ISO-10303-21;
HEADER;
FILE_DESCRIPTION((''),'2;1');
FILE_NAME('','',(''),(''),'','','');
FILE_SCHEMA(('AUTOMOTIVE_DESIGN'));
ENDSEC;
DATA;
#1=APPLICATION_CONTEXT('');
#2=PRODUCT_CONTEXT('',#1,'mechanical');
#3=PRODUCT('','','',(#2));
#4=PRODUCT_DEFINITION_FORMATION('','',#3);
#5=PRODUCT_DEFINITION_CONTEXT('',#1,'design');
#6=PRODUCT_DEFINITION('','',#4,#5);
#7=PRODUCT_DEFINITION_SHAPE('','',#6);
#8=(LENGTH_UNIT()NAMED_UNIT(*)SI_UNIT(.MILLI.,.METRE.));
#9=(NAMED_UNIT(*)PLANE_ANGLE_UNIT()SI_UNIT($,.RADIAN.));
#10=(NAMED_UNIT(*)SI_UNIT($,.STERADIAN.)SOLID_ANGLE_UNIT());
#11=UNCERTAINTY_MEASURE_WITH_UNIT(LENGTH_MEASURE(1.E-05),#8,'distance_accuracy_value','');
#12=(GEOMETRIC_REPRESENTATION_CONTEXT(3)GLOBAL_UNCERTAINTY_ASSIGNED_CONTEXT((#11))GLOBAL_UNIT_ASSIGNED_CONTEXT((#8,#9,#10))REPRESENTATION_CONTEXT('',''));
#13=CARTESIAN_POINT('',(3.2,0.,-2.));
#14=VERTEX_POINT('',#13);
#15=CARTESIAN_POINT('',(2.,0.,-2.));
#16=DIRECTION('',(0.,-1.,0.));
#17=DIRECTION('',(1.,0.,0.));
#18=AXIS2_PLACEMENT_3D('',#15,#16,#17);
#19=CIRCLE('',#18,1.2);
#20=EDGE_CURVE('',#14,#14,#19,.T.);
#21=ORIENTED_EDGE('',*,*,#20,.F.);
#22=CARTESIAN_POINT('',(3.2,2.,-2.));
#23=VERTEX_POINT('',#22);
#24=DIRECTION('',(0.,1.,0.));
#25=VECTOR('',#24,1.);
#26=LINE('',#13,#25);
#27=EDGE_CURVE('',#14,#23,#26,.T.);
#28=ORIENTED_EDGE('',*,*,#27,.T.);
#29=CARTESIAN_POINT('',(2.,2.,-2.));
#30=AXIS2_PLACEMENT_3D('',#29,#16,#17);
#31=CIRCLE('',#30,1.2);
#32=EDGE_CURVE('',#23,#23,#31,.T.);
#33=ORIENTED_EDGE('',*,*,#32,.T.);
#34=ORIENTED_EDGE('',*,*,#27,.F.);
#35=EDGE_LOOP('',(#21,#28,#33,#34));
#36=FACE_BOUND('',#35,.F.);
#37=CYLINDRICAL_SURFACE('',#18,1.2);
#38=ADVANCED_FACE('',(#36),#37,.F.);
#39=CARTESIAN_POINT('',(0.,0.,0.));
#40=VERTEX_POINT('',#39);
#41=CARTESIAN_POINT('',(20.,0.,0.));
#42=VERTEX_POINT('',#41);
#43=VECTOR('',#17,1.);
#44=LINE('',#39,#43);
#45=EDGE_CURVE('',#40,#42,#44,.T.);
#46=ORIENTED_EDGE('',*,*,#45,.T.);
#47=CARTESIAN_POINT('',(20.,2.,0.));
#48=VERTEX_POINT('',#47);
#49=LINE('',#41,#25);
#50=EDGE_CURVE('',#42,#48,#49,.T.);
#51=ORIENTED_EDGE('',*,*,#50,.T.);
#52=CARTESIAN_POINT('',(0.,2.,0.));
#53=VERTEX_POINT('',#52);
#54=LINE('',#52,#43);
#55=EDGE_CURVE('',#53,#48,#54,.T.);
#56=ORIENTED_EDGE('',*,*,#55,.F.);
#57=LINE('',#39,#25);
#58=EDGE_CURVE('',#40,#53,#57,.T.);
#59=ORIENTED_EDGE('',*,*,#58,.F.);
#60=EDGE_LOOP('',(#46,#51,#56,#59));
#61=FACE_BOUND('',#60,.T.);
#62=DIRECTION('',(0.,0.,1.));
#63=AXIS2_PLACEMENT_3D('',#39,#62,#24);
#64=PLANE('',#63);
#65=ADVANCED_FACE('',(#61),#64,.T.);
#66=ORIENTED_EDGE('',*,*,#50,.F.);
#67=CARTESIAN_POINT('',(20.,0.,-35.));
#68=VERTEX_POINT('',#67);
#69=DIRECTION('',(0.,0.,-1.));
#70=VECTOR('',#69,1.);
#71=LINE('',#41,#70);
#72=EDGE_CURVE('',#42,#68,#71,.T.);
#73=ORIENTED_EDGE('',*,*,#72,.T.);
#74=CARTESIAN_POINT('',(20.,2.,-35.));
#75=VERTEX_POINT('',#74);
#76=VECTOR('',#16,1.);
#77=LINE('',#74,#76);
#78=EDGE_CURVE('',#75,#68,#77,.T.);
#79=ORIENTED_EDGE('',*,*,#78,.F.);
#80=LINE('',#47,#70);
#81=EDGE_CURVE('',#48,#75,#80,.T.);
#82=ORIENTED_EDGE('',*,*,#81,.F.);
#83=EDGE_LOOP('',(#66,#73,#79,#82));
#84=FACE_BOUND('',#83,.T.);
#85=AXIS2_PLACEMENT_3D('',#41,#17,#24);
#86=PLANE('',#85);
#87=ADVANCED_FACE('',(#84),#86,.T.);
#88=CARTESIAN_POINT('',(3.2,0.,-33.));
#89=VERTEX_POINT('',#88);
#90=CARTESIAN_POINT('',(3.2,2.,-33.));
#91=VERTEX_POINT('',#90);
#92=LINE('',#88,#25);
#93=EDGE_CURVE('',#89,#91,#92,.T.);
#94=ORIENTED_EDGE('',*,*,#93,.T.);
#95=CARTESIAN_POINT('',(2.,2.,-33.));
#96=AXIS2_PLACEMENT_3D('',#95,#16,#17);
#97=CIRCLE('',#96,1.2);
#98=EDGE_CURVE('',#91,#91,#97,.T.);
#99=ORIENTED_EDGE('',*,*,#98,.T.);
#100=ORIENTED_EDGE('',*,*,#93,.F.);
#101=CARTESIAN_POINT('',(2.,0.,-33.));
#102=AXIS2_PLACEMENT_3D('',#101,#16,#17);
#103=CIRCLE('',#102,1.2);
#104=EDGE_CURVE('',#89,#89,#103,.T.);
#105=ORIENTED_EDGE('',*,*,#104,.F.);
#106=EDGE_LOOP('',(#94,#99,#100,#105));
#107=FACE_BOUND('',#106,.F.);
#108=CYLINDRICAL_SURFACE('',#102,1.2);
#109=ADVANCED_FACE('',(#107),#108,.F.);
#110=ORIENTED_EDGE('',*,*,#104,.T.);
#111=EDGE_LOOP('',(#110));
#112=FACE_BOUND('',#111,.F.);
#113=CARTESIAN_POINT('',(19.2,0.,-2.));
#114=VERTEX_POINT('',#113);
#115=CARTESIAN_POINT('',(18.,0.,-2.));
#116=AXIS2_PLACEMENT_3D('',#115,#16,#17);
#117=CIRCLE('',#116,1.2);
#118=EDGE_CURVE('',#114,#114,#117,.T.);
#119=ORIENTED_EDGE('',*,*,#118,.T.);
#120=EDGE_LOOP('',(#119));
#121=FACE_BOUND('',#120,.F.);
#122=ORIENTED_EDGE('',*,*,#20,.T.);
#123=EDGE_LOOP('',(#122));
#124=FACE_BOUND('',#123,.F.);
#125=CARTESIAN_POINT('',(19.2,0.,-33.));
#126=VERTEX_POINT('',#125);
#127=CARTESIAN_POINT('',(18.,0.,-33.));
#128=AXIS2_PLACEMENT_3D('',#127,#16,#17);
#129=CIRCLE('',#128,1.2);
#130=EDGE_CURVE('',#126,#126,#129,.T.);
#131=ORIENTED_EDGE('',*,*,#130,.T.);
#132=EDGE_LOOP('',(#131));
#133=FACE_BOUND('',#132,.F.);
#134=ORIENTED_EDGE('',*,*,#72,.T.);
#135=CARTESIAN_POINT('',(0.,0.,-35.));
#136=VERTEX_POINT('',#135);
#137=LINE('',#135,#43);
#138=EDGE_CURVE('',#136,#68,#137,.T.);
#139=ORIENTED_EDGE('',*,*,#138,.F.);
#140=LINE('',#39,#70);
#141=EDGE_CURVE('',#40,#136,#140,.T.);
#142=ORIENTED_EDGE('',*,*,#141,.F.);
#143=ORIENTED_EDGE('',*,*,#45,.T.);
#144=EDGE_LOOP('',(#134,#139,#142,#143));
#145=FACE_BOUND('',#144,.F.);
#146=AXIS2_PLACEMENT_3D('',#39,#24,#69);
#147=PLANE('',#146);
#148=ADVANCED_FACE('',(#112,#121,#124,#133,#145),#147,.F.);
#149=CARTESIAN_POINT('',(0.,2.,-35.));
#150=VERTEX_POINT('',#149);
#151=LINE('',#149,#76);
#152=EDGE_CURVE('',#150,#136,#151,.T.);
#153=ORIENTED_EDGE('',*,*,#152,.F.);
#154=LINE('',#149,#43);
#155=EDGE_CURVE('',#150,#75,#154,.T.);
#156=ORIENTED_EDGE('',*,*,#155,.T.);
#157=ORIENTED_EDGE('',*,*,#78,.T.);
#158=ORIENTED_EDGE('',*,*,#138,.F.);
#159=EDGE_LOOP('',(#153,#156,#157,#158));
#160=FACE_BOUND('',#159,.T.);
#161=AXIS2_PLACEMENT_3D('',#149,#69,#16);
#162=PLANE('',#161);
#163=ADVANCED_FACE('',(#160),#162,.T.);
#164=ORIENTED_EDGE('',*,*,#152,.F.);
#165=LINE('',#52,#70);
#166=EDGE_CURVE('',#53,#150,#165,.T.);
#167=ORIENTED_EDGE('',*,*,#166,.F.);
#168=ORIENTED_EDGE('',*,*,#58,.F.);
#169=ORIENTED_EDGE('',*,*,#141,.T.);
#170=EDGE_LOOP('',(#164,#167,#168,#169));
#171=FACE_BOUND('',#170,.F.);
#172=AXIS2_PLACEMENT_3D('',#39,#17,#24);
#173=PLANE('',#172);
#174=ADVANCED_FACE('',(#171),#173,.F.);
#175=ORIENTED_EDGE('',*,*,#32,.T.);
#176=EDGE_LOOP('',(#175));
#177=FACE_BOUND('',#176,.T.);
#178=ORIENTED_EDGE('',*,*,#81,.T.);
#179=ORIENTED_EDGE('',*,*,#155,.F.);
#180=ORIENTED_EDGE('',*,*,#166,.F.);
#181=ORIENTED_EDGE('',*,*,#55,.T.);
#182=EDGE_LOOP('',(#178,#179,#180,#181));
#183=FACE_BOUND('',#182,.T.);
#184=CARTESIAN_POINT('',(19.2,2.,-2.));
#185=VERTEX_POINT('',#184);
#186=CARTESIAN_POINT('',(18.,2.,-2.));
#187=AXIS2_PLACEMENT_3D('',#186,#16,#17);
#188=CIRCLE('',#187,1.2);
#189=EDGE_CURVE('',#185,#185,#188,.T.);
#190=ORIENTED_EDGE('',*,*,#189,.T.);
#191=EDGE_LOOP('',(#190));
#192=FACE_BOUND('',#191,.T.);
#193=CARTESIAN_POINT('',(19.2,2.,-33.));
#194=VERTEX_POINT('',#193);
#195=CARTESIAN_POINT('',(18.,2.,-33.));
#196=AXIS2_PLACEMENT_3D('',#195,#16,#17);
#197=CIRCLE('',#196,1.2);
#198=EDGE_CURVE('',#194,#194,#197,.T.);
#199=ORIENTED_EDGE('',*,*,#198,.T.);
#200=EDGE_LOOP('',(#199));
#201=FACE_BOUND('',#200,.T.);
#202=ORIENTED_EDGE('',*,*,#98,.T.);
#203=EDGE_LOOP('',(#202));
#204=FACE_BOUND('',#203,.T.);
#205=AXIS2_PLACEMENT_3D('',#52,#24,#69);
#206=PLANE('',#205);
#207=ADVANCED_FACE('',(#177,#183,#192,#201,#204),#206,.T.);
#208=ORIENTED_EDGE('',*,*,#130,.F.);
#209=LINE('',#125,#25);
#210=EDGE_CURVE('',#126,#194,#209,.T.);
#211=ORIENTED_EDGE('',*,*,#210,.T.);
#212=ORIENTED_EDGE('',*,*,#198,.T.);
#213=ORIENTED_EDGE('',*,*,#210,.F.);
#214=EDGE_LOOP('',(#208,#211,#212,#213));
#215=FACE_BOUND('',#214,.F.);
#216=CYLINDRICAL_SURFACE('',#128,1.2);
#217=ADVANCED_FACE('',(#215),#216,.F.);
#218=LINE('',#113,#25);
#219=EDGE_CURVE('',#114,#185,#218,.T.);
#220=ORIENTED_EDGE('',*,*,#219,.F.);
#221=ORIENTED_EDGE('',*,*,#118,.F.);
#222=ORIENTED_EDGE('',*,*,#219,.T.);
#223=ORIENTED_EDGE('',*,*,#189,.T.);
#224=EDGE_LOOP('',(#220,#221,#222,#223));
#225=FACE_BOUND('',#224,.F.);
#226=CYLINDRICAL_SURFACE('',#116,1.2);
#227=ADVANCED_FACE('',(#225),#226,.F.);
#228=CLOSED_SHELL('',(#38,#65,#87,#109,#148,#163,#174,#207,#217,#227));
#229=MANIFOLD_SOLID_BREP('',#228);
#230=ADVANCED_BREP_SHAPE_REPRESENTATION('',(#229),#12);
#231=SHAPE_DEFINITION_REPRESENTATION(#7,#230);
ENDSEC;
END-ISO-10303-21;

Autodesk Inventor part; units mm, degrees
ref_plane "YZ Plane" through (0, 0, 0) normal (1, 0, 0) x (0, 1, 0)
ref_plane "XZ Plane" through (0, 0, 0) normal (0, 1, 0) x (-1, 0, 0)
ref_plane "XY Plane" through (0, 0, 0) normal (0, 0, 1) x (1, 0, 0)
sketch "Sketch1" plane through (0, 0, 0) normal (1, 0, 0) x (0, 1, 0)
  line L0 (0, 0) -> (2, 0)
  line L1 (0, 0) -> (0, -35)
  line L2 (2, 0) -> (2, -35)
  line L3 (2, -35) -> (0, -35)
  dimension "d0" = 2
  dimension "d1" = 35
extrude "Extrusion1" add sketch "Sketch1" along normal blind 20
sketch "Sketch2" plane through (0, 0, -35) normal (0, -1, 0) x (1, 0, 0)
  line L0 (0, 35) -> (20, 35) projected
  circle A0 centre (18, 33) radius 1.2
  line L1 (0, 35) -> (0, 0) projected
  circle A1 centre (2, 33) radius 1.2
  line L2 (20, 35) -> (20, 0) projected
  circle A2 centre (18, 2) radius 1.2
  circle A3 centre (2, 2) radius 1.2
  dimension "d6" = 2.4
  dimension "d8" = 2.4
  dimension "d12" = 2.4
  dimension "d13" = 2.4
extrude "Extrusion2" cut sketch "Sketch2" against normal through all
properties part number "0_mm_slant"
